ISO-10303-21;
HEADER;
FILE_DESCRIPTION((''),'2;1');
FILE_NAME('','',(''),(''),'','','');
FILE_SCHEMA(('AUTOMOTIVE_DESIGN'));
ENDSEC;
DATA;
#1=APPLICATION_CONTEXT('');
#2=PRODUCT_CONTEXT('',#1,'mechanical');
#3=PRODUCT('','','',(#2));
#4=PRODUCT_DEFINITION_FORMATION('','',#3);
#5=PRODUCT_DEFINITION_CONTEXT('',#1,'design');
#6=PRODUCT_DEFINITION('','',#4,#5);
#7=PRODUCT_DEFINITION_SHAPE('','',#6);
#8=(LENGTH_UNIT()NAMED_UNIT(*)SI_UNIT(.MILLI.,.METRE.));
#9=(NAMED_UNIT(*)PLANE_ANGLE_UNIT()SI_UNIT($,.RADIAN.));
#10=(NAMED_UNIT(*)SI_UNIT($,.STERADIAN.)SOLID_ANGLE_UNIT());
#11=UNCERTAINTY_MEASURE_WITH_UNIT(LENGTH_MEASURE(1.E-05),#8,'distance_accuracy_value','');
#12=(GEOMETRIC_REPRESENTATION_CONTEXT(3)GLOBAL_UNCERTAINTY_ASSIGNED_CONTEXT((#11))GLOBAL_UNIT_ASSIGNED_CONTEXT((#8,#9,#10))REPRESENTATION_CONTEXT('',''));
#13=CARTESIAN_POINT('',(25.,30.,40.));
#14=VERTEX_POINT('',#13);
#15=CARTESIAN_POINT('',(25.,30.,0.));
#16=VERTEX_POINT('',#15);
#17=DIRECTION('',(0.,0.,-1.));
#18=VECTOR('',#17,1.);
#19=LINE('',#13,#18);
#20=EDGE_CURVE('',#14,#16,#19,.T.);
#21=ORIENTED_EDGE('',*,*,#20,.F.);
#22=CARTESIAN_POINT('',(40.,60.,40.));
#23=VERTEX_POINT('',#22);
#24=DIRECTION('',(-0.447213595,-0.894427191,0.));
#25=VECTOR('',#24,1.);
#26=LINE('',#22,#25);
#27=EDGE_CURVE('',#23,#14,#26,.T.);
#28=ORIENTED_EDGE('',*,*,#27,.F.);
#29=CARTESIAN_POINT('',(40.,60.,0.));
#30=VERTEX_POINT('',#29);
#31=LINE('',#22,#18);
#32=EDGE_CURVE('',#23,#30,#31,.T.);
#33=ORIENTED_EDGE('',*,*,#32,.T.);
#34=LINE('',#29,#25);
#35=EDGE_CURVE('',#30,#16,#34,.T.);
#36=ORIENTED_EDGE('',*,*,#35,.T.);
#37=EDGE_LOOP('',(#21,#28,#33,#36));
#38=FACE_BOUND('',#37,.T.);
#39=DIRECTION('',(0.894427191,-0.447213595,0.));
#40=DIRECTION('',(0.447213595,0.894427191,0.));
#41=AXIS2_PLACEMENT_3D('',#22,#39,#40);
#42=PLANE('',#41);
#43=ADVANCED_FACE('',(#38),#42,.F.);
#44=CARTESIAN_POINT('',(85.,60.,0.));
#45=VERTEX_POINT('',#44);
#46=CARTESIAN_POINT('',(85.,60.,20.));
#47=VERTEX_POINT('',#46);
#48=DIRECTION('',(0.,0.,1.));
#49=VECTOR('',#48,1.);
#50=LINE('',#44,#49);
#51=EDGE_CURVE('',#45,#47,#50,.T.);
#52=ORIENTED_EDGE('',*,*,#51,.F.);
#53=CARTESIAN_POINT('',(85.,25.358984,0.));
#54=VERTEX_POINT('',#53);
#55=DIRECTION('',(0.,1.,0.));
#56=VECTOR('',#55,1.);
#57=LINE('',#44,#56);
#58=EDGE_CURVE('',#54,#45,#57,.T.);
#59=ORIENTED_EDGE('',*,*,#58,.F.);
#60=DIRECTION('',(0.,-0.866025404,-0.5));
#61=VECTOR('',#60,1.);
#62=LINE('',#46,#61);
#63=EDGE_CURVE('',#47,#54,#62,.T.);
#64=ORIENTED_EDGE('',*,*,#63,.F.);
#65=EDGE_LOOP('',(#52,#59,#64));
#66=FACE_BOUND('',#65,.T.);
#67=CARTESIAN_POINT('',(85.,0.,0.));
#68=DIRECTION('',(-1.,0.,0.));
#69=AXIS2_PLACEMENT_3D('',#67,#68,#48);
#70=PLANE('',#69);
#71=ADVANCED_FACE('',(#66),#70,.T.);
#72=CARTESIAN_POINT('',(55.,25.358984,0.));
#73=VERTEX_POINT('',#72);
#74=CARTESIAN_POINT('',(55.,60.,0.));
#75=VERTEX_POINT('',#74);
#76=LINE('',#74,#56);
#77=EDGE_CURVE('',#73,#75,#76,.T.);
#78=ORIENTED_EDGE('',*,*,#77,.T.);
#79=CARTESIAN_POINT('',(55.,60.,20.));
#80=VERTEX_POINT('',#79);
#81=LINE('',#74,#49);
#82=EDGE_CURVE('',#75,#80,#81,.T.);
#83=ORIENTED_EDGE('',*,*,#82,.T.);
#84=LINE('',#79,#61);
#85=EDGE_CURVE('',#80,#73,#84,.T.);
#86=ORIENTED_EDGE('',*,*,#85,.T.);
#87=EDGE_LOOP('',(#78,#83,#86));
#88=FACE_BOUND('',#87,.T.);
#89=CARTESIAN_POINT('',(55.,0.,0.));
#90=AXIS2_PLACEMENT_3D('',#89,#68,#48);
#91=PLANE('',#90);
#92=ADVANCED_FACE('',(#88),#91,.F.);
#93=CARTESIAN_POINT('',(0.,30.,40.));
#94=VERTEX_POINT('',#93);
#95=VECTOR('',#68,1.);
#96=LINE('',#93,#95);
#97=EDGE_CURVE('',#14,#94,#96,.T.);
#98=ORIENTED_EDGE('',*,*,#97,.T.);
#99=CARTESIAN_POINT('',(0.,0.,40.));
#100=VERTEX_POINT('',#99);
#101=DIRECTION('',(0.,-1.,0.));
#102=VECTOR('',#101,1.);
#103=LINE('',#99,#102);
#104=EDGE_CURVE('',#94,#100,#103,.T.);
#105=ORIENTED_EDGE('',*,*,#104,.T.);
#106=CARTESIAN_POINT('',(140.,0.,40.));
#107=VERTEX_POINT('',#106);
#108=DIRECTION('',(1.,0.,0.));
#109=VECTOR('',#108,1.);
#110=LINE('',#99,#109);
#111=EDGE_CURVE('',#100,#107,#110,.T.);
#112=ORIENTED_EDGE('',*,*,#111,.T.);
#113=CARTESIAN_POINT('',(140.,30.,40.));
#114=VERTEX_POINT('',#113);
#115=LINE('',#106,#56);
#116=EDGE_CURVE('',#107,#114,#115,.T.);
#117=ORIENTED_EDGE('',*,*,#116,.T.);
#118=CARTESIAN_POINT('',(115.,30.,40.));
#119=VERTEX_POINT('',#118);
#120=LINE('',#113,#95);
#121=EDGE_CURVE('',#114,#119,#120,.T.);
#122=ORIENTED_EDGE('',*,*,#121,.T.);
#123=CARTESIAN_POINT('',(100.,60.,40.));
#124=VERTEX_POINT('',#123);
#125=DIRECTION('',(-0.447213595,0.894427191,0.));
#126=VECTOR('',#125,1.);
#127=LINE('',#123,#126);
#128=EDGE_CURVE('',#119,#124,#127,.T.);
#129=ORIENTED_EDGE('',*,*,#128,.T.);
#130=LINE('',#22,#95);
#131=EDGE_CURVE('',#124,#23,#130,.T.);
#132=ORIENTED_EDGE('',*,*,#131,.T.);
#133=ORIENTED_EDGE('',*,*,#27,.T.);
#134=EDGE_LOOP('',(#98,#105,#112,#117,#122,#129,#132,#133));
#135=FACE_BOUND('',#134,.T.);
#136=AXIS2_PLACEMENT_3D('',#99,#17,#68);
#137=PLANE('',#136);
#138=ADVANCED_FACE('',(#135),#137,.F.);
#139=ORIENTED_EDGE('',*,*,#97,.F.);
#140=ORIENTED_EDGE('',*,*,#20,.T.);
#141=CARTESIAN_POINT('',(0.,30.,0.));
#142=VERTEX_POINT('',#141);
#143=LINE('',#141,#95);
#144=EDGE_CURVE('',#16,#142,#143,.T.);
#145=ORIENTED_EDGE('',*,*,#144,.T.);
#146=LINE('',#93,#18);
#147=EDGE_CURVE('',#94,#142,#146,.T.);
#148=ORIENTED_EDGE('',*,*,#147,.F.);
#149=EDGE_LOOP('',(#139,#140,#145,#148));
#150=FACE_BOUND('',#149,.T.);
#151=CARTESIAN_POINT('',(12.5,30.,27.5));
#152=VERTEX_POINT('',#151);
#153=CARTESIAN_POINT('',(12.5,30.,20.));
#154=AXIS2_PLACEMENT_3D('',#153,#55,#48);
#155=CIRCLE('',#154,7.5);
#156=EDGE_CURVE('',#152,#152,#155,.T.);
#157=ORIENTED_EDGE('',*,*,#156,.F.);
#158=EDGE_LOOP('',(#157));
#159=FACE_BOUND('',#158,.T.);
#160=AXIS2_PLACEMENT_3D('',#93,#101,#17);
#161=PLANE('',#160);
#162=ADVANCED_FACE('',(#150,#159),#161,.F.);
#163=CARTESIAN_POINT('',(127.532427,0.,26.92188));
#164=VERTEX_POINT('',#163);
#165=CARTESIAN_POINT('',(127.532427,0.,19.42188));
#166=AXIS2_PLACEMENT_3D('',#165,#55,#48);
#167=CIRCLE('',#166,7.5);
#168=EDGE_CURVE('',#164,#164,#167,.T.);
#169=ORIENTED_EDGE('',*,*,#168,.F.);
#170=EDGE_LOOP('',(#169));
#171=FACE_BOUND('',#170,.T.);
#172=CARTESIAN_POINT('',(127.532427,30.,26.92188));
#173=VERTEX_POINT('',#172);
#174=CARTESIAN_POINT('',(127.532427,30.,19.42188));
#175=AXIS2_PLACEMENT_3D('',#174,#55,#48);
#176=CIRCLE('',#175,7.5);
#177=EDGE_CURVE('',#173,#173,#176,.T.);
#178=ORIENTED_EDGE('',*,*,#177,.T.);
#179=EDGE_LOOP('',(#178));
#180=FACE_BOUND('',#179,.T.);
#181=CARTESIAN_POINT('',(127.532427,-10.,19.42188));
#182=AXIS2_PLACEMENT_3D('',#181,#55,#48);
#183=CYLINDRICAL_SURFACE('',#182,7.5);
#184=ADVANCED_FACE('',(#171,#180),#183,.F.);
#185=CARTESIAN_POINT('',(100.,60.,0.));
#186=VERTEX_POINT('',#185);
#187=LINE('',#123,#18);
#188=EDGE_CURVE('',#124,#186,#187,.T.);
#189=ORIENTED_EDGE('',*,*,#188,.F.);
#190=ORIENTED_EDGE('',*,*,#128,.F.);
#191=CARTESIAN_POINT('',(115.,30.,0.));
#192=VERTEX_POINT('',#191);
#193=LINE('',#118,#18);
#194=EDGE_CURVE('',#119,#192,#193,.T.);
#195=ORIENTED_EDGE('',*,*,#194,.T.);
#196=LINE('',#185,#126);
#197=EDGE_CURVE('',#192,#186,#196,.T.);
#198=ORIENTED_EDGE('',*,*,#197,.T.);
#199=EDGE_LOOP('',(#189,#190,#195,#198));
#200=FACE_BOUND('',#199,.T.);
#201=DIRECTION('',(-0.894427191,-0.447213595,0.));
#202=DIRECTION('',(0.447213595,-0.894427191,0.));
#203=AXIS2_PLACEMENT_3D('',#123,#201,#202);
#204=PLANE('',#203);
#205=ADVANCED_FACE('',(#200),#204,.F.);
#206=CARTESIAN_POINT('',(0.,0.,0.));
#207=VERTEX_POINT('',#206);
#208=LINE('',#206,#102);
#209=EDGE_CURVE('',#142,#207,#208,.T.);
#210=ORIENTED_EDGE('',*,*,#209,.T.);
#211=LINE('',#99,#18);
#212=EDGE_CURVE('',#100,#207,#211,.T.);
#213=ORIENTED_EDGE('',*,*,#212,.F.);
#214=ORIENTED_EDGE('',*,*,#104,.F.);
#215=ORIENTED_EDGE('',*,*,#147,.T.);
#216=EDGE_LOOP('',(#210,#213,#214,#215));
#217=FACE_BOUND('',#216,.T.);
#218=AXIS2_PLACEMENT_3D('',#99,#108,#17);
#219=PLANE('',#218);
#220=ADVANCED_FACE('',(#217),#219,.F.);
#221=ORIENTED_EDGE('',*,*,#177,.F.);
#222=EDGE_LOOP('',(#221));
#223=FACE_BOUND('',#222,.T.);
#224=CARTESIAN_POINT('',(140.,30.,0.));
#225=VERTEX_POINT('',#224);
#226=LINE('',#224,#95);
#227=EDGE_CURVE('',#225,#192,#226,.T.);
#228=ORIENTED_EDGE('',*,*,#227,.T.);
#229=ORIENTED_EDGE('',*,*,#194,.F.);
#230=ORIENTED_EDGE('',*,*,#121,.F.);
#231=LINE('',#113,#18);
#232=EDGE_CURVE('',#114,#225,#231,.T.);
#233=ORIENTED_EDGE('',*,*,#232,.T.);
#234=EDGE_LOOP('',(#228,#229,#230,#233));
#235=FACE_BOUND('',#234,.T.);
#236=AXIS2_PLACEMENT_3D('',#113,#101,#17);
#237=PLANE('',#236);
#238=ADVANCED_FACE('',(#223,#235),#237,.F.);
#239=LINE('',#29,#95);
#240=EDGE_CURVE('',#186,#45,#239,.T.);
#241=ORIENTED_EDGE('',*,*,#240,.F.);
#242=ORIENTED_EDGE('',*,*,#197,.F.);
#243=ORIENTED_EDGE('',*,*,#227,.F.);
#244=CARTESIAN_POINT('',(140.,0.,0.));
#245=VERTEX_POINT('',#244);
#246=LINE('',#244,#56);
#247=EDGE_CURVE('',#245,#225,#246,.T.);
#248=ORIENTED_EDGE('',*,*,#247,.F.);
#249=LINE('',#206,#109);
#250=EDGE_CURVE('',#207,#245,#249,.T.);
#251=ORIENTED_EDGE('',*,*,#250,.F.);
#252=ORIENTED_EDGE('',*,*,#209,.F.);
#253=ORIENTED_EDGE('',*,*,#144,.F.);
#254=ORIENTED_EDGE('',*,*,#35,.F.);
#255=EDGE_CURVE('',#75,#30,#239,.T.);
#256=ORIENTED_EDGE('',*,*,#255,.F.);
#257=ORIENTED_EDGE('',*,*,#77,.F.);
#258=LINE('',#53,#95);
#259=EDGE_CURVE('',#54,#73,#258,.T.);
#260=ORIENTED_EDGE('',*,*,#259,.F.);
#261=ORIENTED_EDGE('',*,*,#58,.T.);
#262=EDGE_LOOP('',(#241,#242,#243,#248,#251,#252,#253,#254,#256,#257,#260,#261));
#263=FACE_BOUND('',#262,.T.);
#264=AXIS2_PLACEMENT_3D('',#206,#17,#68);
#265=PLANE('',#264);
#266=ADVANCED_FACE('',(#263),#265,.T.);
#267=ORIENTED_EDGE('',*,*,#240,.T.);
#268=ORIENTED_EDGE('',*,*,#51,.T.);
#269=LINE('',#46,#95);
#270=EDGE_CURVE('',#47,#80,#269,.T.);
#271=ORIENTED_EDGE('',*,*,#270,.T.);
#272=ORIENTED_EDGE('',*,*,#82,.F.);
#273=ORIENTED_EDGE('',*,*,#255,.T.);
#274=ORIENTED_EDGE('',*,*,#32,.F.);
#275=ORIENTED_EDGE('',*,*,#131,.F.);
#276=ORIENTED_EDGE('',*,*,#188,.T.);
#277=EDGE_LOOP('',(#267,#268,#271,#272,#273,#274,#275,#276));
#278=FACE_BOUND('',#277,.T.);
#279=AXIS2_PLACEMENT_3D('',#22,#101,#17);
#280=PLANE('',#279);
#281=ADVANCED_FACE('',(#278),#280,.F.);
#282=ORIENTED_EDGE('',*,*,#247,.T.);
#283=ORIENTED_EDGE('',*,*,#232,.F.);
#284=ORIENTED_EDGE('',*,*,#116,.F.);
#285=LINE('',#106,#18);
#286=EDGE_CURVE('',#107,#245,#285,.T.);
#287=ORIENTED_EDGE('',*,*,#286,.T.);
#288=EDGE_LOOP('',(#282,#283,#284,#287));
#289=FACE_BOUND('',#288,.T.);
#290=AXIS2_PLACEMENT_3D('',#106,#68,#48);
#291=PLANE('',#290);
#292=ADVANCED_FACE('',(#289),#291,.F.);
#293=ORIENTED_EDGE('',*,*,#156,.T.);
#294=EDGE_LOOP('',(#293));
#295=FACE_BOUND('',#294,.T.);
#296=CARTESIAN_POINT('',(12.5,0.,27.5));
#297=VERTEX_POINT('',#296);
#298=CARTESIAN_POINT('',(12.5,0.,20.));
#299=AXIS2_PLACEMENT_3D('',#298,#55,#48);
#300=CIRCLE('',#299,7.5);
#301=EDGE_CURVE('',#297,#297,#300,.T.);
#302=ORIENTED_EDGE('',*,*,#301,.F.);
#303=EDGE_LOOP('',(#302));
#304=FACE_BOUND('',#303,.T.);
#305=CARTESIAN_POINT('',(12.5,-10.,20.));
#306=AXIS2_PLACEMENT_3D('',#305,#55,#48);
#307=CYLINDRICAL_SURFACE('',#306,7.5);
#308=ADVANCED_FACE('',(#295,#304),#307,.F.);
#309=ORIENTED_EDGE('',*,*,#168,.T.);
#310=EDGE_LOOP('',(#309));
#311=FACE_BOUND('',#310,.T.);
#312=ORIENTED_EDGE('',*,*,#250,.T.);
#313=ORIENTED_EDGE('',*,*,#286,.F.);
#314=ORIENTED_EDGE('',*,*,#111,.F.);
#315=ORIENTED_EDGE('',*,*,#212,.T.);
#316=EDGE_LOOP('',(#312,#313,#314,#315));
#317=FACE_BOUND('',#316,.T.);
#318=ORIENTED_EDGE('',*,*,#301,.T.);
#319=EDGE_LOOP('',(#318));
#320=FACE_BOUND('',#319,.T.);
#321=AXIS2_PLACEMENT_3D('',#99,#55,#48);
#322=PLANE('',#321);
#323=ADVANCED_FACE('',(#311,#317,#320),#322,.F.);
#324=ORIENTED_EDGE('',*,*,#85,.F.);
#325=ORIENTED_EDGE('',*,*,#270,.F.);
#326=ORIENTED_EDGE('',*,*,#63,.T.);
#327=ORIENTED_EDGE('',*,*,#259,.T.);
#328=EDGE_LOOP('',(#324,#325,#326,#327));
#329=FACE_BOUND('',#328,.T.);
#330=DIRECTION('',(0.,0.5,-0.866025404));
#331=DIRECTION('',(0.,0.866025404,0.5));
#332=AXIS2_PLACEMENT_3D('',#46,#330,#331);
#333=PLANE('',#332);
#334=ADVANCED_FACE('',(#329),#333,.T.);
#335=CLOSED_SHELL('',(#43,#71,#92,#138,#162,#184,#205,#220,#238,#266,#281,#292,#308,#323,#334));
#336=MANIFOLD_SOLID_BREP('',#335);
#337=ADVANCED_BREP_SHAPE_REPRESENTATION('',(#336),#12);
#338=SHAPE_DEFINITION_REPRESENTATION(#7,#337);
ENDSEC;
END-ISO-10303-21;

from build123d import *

# Parameters (mm, degrees)
SALIENTE_EXTRUIR1_DEPTH    = 40
CROQUIS2_R                 = 7.5
CORTAR_EXTRUIR1_DEPTH      = 40
CROQUIS3_R                 = 7.5
CORTAR_EXTRUIR2_DEPTH      = 40
CORTAR_EXTRUIR4_DEPTH      = 15
CORTAR_EXTRUIR4_DEPTH_BACK = 15


with BuildPart() as part:
    # Croquis1 → Saliente-Extruir1 (new body)
    with BuildSketch(Plane.XY):
        Polygon((0, 0), (140, 0), (140, 30), (115, 30), (100, 60), (40, 60), (25, 30), (0, 30), align=None)
    extrude(amount=SALIENTE_EXTRUIR1_DEPTH)

    # Croquis2 → Cortar-Extruir1 (cut)
    with BuildSketch(Plane(origin=(0, 30, 0), x_dir=(1, 0, 0), z_dir=(0, 1, 0))):
        with Locations((127.532427411, -19.421880323)):
            Circle(CROQUIS2_R)
    extrude(amount=-CORTAR_EXTRUIR1_DEPTH, mode=Mode.SUBTRACT)

    # Croquis3 → Cortar-Extruir2 (cut)
    with BuildSketch(Plane(origin=(0, 30, 0), x_dir=(1, 0, 0), z_dir=(0, 1, 0))):
        with Locations((12.5, -20)):
            Circle(CROQUIS3_R)
    extrude(amount=-CORTAR_EXTRUIR2_DEPTH, mode=Mode.SUBTRACT)

    # Croquis16 → Cortar-Extruir4 (cut, two sides)
    with BuildSketch(Plane(origin=(70, 0, 0), x_dir=(0, 0, -1), z_dir=(1, 0, 0))) as cortar_extruir4_sk:
        Polygon((0, 60), (-20, 60), (0, 25.358983849), align=None)
    extrude(amount=CORTAR_EXTRUIR4_DEPTH, mode=Mode.SUBTRACT)
    extrude(cortar_extruir4_sk.sketch, amount=-CORTAR_EXTRUIR4_DEPTH_BACK, mode=Mode.SUBTRACT)


solid = part.part
